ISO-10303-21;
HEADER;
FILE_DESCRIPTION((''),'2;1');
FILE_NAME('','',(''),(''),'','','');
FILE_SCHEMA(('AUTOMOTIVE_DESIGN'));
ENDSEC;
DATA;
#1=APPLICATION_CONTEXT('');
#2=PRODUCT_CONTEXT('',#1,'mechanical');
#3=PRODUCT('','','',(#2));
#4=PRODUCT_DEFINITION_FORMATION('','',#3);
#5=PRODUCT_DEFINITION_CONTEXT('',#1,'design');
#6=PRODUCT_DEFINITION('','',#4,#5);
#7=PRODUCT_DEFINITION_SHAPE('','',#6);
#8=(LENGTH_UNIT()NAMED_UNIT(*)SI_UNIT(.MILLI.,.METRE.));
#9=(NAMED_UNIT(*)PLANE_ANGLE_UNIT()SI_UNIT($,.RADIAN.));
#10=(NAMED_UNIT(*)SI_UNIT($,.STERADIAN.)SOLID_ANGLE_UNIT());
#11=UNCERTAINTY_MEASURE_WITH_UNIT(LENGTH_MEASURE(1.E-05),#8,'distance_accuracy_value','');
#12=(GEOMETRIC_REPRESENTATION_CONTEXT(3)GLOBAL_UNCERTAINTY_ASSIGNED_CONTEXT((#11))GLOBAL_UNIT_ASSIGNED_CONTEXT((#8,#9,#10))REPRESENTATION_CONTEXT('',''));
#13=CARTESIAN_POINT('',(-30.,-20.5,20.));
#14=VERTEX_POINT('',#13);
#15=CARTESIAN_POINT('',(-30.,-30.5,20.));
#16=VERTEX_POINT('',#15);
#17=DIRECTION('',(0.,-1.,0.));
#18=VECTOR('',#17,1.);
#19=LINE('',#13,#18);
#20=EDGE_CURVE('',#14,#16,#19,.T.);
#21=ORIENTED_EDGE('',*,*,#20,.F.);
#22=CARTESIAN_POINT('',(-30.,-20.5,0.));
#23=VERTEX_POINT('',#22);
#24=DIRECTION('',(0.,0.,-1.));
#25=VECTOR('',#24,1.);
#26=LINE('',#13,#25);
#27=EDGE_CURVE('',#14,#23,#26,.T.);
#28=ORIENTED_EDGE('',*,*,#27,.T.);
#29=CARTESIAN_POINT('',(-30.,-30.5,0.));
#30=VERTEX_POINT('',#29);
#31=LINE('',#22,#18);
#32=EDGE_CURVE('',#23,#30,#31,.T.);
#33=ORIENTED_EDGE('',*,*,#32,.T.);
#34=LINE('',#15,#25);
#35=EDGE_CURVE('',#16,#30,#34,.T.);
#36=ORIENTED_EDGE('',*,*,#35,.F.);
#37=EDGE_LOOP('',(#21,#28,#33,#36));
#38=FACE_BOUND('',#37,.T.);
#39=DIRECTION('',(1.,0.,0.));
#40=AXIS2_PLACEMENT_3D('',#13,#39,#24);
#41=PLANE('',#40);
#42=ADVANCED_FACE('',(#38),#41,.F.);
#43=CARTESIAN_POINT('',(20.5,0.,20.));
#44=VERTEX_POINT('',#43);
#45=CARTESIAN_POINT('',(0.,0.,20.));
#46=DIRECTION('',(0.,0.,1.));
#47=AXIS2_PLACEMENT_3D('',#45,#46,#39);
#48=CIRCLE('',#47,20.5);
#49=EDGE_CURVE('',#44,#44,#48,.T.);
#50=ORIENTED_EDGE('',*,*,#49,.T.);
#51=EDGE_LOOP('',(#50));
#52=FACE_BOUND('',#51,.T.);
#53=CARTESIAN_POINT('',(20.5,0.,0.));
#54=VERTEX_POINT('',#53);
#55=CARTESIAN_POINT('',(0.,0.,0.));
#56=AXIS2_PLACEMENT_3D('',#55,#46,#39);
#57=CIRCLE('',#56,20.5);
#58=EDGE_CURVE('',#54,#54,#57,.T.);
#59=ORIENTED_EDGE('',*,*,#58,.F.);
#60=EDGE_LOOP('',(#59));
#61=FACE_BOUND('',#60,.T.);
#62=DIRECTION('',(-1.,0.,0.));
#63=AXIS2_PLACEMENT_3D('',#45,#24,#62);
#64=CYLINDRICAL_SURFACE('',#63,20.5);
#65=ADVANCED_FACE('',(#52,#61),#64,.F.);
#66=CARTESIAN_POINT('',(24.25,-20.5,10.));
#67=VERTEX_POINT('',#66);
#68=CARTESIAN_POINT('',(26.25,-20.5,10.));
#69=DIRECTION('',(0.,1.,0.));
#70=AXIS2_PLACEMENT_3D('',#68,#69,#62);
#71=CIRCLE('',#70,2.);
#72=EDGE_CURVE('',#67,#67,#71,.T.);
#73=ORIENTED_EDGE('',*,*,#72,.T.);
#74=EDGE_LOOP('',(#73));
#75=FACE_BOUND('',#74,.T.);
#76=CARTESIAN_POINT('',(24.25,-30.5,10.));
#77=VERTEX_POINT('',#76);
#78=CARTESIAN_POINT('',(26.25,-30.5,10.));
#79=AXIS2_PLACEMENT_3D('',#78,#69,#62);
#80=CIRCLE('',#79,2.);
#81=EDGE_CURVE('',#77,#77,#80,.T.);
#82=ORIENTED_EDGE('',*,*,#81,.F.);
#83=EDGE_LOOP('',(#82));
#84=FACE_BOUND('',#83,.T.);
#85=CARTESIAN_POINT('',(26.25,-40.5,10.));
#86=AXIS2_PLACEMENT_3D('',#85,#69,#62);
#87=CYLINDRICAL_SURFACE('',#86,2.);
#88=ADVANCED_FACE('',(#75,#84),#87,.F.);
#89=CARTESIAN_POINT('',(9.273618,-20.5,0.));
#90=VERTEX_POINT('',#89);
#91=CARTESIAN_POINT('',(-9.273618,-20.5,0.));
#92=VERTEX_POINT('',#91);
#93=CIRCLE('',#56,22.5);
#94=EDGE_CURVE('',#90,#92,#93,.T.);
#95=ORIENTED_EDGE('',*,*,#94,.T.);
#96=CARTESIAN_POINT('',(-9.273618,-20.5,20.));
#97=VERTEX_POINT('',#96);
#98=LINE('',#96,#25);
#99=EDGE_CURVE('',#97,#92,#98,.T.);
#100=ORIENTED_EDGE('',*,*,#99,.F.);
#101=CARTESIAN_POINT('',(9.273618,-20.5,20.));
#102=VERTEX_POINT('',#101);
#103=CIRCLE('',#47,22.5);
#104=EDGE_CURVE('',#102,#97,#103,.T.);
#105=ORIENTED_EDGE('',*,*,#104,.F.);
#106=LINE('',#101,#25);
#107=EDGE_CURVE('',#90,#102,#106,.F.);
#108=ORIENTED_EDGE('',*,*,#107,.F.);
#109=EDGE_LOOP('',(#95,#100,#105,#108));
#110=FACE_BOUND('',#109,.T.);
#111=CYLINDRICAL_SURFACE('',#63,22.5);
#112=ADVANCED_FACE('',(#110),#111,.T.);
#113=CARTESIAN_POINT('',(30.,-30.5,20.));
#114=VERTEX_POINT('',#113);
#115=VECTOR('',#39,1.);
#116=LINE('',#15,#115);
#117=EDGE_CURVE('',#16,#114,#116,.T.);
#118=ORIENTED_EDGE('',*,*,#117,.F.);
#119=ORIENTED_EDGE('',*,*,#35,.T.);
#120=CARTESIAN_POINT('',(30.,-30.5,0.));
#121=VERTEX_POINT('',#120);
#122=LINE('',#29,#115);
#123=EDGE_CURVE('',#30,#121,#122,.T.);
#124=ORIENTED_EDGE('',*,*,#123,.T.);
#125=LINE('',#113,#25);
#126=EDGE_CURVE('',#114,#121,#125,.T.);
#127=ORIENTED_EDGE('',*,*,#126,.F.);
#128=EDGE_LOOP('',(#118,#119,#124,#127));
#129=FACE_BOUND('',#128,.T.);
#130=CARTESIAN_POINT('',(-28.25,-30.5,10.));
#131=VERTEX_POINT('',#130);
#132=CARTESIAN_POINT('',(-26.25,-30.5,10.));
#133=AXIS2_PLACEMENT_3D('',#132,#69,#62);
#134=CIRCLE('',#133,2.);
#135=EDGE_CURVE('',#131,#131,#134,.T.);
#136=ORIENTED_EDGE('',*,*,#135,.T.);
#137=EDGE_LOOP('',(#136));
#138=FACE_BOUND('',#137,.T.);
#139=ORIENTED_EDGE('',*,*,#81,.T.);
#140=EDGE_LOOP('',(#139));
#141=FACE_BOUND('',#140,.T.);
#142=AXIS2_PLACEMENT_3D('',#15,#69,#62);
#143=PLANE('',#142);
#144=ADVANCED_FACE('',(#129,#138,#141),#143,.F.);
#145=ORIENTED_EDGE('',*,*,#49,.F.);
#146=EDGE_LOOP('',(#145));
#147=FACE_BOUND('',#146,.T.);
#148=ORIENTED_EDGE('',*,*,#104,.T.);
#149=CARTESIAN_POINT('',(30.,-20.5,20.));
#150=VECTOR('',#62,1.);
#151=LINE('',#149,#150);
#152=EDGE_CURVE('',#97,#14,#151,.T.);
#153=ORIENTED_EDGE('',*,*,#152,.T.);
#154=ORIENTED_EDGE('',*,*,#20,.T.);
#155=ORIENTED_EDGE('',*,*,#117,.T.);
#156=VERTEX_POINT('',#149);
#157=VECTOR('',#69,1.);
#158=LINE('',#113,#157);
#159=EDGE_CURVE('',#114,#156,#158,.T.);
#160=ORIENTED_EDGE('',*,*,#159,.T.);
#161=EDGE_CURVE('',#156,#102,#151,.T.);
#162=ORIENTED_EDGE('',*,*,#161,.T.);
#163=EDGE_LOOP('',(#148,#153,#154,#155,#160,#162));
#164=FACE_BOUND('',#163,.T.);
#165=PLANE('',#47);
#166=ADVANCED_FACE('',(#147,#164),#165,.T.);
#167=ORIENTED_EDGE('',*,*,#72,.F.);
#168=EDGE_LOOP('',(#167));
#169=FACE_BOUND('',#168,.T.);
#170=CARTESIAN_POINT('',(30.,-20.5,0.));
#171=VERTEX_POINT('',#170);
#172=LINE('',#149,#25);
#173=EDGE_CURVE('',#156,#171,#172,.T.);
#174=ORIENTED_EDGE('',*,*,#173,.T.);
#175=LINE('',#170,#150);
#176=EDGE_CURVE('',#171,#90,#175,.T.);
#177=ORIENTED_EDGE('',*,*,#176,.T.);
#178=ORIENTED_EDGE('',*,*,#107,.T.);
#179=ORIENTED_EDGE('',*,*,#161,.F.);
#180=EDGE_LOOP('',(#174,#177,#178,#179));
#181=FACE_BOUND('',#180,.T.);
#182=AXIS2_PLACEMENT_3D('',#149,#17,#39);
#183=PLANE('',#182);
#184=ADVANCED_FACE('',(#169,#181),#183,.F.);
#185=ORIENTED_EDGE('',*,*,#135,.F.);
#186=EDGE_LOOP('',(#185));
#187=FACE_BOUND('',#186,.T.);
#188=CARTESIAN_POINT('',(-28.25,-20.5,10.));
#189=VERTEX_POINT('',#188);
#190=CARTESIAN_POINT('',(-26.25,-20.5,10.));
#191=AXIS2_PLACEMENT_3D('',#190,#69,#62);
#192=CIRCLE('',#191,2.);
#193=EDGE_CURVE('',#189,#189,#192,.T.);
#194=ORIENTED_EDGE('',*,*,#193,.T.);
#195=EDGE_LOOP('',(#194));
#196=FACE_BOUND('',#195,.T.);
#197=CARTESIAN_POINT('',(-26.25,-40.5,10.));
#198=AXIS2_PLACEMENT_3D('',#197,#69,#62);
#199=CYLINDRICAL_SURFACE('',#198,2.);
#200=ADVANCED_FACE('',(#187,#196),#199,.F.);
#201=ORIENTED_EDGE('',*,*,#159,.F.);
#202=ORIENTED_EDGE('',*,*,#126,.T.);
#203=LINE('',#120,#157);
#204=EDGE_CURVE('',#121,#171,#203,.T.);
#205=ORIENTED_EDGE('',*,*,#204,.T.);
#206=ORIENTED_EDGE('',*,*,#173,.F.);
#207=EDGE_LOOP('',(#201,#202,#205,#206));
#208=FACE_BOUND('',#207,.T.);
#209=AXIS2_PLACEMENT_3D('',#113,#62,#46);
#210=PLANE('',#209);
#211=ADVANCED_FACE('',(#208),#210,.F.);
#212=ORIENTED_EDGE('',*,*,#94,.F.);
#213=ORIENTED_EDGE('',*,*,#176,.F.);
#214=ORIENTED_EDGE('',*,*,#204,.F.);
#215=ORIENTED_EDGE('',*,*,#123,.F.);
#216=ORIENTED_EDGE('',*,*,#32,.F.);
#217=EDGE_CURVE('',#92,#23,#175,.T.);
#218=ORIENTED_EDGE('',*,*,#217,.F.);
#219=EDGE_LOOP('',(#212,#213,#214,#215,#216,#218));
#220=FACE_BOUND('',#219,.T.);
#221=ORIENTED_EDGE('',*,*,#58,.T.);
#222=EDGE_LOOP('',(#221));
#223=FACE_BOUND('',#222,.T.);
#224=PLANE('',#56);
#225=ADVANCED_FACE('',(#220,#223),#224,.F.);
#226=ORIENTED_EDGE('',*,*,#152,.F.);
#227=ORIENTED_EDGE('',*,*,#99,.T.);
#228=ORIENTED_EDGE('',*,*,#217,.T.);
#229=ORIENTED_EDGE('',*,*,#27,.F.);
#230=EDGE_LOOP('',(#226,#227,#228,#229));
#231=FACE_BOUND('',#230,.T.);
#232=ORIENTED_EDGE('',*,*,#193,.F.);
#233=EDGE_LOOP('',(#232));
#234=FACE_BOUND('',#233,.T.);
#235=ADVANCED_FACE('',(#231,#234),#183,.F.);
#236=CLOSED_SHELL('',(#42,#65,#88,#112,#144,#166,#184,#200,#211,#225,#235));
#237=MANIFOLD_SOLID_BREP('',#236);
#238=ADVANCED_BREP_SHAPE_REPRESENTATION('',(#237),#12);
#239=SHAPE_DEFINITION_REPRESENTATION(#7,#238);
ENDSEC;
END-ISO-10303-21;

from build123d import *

# Parameters (mm, degrees)
SKETCH1_R           = 22.5
SKETCH1_R_2         = 20.5
BOSS_EXTRUDE2_DEPTH = 20
SKETCH2_W           = 60
SKETCH2_H           = 10
BOSS_EXTRUDE3_DEPTH = 20
SKETCH3_R           = 2
CUT_EXTRUDE1_DEPTH  = 20


with BuildPart() as part:
    # Sketch1 → Boss-Extrude2 (new body)
    with BuildSketch(Plane.XY):
        Circle(SKETCH1_R)
        Circle(SKETCH1_R_2, mode=Mode.SUBTRACT)
    extrude(amount=BOSS_EXTRUDE2_DEPTH)

    # Sketch2 → Boss-Extrude3 (add)
    with BuildSketch(Plane(origin=(0, 0, 0), x_dir=(-1, 0, 0), z_dir=(0, 0, -1))):
        with Locations((0, -25.5)):
            Rectangle(SKETCH2_W, SKETCH2_H)
    extrude(amount=-BOSS_EXTRUDE3_DEPTH)

    # Sketch3 → Cut-Extrude1 (cut)
    with BuildSketch(Plane(origin=(0, -20.5, 0), x_dir=(1, 0, 0), z_dir=(0, 1, 0))):
        with Locations(Location((26.25, -10, 0), (0, 0, 180))):
            Circle(SKETCH3_R)
        with Locations(Location((-26.25, -10, 0), (0, 0, 180))):
            Circle(SKETCH3_R)
    extrude(amount=-CUT_EXTRUDE1_DEPTH, mode=Mode.SUBTRACT)


solid = part.part
